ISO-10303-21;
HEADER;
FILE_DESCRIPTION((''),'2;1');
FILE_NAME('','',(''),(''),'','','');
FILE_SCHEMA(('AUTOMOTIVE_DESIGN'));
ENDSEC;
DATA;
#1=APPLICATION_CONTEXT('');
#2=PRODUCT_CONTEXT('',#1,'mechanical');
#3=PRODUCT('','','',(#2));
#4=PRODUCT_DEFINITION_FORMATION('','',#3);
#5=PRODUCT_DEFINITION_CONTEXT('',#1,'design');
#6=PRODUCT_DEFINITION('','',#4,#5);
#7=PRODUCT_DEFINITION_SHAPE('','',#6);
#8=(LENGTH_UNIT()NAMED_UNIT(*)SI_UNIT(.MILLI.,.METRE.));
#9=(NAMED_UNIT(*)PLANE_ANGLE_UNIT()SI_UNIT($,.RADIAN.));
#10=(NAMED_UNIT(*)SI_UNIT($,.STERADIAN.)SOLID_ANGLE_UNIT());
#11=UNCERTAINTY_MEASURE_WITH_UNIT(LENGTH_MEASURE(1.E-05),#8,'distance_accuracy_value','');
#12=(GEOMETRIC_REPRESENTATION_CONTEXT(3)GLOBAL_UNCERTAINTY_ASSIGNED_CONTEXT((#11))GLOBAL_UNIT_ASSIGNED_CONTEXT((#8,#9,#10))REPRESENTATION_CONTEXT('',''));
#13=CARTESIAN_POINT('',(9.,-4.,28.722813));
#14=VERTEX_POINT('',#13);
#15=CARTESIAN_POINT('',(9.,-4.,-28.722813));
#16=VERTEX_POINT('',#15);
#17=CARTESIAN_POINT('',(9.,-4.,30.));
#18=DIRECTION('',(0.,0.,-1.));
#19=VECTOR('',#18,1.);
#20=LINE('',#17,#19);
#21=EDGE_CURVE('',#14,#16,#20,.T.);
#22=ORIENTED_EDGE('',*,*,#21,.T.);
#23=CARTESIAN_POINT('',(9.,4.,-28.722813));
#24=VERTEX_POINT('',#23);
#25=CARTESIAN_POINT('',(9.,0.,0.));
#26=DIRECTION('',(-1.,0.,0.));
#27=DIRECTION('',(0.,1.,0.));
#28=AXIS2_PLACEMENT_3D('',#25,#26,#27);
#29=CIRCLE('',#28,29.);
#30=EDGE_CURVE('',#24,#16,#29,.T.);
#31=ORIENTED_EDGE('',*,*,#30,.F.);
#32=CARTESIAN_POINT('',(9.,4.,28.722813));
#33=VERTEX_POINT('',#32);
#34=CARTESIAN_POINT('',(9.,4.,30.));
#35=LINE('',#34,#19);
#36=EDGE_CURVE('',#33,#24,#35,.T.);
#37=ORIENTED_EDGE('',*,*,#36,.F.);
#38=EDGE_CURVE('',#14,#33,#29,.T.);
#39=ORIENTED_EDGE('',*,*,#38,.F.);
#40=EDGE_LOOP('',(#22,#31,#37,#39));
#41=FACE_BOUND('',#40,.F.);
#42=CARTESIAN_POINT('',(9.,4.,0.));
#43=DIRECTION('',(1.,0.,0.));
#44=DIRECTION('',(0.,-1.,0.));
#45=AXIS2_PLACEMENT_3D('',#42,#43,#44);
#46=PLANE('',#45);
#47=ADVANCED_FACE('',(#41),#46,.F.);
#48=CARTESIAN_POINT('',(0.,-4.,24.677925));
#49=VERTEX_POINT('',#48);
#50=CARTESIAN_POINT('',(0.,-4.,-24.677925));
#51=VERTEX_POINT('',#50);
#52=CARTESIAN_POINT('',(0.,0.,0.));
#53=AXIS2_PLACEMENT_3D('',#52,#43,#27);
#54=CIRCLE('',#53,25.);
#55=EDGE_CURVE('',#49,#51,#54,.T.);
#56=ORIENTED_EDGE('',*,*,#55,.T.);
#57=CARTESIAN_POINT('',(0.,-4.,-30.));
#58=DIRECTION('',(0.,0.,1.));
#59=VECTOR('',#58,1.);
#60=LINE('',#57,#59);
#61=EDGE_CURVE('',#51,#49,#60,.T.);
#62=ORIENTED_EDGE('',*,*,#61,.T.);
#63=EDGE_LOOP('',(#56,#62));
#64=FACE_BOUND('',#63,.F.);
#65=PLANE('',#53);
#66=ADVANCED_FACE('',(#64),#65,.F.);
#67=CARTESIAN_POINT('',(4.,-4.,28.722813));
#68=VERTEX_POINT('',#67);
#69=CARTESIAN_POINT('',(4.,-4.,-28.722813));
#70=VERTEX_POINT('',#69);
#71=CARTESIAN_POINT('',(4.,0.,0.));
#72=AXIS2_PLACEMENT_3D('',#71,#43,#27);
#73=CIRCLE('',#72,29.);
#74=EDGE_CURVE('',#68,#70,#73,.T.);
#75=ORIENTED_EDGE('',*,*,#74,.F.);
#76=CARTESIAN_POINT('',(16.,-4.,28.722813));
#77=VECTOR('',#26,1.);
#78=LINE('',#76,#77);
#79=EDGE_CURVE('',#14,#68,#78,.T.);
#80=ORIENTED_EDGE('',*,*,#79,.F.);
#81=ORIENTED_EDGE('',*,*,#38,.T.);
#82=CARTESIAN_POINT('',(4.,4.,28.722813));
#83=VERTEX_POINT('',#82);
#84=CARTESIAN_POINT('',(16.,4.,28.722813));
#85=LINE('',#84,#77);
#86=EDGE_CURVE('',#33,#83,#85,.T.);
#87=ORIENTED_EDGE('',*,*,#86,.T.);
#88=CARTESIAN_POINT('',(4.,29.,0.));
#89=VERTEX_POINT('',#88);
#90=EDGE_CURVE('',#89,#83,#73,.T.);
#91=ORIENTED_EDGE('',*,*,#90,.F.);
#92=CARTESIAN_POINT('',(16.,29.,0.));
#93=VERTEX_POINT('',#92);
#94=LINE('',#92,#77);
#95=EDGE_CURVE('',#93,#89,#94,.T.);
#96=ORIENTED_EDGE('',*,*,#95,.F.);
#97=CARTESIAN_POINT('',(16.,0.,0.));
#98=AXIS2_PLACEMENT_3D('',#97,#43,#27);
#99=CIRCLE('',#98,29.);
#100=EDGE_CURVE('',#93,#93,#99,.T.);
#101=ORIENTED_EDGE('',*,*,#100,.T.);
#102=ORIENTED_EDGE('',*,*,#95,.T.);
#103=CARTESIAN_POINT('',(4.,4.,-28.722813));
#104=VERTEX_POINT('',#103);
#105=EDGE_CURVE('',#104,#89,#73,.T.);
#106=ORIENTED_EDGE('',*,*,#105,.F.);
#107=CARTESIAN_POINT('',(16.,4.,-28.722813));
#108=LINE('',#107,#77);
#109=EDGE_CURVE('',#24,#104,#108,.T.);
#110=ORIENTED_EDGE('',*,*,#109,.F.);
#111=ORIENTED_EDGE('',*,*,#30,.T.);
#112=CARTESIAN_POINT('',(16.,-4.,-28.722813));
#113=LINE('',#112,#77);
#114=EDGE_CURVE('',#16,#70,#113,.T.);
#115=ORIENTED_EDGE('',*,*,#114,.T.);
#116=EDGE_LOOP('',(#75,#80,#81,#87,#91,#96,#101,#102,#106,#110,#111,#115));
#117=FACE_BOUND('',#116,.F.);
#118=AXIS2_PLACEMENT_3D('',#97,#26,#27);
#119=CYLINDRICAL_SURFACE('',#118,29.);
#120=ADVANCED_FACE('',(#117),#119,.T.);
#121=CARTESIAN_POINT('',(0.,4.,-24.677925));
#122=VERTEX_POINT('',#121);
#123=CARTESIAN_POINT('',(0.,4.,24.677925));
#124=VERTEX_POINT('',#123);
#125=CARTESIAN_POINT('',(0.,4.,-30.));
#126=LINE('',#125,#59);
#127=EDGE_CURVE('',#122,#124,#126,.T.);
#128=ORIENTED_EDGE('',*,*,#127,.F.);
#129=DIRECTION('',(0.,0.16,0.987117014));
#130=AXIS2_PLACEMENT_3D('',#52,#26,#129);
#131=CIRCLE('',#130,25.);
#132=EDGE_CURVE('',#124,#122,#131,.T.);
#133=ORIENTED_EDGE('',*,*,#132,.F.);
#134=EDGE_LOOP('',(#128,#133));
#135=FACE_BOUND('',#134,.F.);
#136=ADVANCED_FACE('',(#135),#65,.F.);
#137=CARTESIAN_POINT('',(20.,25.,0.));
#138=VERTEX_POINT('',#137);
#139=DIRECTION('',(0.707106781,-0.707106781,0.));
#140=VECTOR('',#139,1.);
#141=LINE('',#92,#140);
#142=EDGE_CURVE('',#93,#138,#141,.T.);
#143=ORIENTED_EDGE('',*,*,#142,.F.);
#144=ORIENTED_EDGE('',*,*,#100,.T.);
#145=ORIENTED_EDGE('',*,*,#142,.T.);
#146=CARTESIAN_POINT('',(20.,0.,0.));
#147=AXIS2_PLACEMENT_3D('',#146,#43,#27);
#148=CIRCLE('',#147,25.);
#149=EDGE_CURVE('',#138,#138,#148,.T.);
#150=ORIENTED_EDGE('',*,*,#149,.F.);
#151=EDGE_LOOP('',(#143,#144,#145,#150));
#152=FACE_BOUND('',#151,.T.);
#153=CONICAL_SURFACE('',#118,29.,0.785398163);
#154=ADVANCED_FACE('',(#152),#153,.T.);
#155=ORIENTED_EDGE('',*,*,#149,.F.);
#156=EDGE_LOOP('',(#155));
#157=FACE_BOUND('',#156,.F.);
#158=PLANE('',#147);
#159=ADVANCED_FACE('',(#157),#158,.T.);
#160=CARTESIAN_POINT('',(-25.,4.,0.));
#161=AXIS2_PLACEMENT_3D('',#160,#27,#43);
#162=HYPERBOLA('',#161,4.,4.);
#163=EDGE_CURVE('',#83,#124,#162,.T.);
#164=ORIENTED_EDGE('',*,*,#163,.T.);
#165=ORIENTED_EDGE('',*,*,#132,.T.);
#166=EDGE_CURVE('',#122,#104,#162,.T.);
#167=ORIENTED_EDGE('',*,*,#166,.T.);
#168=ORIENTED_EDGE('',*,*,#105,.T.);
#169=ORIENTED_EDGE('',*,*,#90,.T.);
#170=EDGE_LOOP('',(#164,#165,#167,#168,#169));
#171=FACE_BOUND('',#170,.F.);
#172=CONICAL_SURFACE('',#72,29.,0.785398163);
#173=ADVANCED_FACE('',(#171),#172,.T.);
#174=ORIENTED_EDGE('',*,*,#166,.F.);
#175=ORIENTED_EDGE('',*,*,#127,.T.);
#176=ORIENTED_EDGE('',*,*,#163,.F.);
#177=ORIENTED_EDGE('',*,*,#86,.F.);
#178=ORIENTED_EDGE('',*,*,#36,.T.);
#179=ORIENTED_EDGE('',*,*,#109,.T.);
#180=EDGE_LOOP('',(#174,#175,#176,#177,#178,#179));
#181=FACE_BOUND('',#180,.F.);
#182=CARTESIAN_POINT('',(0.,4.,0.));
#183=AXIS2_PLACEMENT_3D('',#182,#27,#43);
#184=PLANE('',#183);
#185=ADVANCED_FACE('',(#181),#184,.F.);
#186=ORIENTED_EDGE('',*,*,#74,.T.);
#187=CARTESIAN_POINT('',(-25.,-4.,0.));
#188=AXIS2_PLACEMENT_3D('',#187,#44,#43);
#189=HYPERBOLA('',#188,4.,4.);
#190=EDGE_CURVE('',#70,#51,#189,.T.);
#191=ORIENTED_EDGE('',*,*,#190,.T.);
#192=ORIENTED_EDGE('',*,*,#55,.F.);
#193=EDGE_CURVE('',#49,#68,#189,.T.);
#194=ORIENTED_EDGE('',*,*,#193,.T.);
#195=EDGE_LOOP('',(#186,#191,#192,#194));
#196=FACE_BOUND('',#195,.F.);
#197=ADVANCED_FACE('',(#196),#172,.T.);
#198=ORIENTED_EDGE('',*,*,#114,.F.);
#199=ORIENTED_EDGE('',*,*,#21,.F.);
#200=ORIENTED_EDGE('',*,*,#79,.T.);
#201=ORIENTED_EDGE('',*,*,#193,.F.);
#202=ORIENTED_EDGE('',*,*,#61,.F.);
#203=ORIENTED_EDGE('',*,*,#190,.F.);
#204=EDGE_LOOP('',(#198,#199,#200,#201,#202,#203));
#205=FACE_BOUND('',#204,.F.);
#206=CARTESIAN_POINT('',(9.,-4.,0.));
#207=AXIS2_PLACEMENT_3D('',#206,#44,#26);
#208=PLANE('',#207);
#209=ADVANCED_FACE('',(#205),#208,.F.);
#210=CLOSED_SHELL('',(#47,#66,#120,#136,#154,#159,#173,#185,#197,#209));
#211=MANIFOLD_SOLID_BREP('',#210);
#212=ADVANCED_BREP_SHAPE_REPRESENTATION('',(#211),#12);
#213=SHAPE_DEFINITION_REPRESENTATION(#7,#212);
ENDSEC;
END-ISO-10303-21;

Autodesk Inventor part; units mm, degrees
ref_plane "YZ Plane" through (0, 0, 0) normal (1, 0, 0) x (0, 1, 0)
ref_plane "XZ Plane" through (0, 0, 0) normal (0, 1, 0) x (-1, 0, 0)
ref_plane "XY Plane" through (0, 0, 0) normal (0, 0, 1) x (1, 0, 0)
sketch "Эскиз1" plane through (0, 0, 0) normal (0, 0, 1) x (1, 0, 0)
  line L0 (0, 0) -> (20, 0)
  line L1 (20, 0) -> (20, 25)
  line L2 (16, 29) -> (4, 29)
  line L3 (0, 25) -> (0, 0)
  line L4 (4, 29) -> (0, 25)
  line L5 (16, 29) -> (20, 25)
  point P0 (20, 29)
  point P1 (0, 29)
  dimension "d12" = 20
  dimension "d13" = 29
  dimension "d14" = 4
  dimension "d15" = 4
  dimension "d16" = 4
  dimension "d17" = 4
revolve "Вращение2" add sketch "Эскиз1" angle 360 about axis through (0, 0, 0) along (1, 0, 0)
sketch "Эскиз4" plane through (0, 0, 0) normal (0, 0, 1) x (1, 0, 0)
  line L0 (0, -25) -> (0, 25) construction
  line L1 (0, 4) -> (9, 4)
  line L2 (9, 4) -> (9, -4)
  line L3 (9, -4) -> (0, -4)
  line L4 (0, -4) -> (0, 4)
  point P0 (0, 0)
  point P1 (0, 0)
  point P2 (0, 0)
  dimension "d23" = 9
  dimension "d24" = 8
extrude "Выдавливание3" cut sketch "Эскиз4" along normal through all both and the other way through all
equation "\"d15\" = d14"
equation "\"d16\" = d14"
equation "\"d17\" = d16"
properties part number "711113"
